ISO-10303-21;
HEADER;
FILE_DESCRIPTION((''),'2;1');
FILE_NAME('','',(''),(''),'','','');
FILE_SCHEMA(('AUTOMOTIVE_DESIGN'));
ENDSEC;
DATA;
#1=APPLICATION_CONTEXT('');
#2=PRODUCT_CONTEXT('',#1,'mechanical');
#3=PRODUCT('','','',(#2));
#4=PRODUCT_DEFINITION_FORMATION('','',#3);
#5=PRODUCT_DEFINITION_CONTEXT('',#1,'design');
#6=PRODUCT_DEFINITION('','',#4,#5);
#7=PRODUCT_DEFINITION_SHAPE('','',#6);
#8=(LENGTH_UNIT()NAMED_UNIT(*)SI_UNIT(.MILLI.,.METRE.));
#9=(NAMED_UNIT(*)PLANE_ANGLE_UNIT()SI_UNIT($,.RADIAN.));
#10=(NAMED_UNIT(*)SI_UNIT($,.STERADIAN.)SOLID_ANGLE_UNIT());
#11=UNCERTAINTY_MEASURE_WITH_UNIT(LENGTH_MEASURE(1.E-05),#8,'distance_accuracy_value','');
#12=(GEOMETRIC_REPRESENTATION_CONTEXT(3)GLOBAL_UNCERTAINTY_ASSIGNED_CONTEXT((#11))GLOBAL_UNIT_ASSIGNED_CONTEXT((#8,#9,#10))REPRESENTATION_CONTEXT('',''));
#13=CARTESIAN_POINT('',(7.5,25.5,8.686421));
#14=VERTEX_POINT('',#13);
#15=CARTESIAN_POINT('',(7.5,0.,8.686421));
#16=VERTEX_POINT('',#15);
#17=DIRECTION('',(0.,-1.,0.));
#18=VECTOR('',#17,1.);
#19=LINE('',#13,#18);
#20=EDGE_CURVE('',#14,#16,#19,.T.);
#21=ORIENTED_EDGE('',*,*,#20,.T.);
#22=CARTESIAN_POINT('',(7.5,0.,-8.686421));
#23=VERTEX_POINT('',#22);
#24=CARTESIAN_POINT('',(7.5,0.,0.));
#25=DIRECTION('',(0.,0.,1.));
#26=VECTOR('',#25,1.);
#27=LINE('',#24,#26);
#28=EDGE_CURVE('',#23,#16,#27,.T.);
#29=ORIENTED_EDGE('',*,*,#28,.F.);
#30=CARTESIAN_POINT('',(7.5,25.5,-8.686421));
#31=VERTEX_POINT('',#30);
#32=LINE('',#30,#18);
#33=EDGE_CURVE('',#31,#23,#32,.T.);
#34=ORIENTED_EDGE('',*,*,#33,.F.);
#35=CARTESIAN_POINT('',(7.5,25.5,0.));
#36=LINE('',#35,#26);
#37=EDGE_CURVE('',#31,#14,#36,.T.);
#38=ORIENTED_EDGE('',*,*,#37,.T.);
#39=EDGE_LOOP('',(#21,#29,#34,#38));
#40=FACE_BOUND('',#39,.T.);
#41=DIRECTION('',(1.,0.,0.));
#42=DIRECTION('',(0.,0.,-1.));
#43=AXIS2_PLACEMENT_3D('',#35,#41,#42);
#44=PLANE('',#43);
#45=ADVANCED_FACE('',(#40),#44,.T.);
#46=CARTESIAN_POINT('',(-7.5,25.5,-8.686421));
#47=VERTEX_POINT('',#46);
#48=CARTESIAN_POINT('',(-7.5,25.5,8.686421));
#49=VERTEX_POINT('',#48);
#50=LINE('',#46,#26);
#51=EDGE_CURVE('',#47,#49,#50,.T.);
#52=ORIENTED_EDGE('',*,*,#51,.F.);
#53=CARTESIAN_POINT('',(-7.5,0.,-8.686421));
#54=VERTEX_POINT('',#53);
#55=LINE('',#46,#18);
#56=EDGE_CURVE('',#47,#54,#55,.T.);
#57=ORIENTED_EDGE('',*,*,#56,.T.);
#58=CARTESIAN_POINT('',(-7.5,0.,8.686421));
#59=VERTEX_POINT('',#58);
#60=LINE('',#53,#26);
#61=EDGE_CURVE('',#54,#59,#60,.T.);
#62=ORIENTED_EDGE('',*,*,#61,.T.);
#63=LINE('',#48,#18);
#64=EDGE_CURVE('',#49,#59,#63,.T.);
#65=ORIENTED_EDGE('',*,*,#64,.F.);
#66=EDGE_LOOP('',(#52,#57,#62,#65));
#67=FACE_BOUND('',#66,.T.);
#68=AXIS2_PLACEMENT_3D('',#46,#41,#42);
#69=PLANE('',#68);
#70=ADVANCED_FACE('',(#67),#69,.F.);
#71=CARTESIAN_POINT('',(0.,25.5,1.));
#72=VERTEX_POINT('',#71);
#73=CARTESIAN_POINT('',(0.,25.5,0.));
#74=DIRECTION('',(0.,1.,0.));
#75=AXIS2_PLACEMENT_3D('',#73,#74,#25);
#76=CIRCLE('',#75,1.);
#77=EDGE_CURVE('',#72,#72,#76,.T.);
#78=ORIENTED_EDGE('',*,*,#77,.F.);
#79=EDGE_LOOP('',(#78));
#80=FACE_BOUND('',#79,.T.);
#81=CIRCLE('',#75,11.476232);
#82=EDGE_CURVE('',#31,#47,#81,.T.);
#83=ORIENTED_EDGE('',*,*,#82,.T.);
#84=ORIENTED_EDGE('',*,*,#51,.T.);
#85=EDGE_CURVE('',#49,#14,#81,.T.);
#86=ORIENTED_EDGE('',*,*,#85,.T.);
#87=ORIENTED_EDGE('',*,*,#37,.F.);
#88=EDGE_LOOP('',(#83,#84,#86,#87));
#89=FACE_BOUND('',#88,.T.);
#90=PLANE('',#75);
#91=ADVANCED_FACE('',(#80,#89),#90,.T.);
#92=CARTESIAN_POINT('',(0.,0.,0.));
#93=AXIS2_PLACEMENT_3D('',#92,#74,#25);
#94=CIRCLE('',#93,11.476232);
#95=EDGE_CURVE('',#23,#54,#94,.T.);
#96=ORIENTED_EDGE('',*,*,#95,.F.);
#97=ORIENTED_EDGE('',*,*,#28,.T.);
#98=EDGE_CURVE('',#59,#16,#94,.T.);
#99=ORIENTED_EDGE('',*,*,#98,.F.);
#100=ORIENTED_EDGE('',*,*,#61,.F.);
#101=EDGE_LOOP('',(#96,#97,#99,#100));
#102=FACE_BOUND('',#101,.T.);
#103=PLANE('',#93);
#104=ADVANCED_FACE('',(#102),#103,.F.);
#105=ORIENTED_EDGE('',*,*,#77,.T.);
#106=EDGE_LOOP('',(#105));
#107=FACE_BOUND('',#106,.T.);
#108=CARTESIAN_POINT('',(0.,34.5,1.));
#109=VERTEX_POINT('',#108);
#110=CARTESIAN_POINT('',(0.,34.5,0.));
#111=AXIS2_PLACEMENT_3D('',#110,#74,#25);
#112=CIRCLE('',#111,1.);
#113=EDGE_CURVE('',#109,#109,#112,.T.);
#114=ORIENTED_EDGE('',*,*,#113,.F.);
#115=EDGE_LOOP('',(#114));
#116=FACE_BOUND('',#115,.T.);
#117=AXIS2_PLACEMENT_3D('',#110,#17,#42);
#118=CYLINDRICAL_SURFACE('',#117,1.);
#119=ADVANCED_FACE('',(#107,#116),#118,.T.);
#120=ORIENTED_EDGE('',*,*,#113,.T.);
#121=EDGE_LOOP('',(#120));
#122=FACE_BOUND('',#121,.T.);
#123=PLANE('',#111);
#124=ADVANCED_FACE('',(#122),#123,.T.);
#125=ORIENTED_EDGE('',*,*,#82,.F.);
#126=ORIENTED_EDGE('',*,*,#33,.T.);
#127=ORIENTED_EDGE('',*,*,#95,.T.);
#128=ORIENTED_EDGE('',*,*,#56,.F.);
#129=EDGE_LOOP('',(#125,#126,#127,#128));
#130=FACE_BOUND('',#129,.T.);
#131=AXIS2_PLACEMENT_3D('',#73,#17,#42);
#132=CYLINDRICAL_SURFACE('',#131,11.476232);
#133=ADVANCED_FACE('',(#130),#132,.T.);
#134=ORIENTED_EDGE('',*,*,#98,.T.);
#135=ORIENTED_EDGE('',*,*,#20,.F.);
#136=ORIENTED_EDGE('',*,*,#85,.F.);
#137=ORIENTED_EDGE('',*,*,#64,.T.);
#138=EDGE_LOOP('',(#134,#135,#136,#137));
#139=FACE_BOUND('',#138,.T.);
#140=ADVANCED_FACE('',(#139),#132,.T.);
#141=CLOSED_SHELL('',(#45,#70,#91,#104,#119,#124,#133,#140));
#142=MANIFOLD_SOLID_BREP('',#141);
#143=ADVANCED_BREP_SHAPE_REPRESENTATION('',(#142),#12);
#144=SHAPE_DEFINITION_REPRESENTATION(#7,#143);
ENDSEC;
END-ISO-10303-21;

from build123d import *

# Parameters (mm, degrees)
BOSS_EXTRUDE1_DEPTH = 25.5
SKETCH2_R           = 1
BOSS_EXTRUDE2_DEPTH = 9


with BuildPart() as part:
    # Sketch1 → Boss-Extrude1 (new body)
    with BuildSketch(Plane(origin=(0, 0, 0), x_dir=(1, 0, 0), z_dir=(0, 1, 0))):
        with BuildLine():
            Line((7.5, 8.686420997), (7.5, -8.686420997))
            ThreePointArc((7.5, -8.686420997), (0, -11.476232384), (-7.5, -8.686420997))
            Line((-7.5, -8.686420997), (-7.5, 8.686420997))
            ThreePointArc((-7.5, 8.686420997), (0, 11.476232384), (7.5, 8.686420997))
        make_face()
    extrude(amount=BOSS_EXTRUDE1_DEPTH)

    # Sketch2 → Boss-Extrude2 (add)
    with BuildSketch(Plane(origin=(0, 25.5, 0), x_dir=(1, 0, 0), z_dir=(0, 1, 0))):
        with Locations(Location((0, 0, 0), (0, 0, 270))):
            Circle(SKETCH2_R)
    extrude(amount=BOSS_EXTRUDE2_DEPTH)


solid = part.part
